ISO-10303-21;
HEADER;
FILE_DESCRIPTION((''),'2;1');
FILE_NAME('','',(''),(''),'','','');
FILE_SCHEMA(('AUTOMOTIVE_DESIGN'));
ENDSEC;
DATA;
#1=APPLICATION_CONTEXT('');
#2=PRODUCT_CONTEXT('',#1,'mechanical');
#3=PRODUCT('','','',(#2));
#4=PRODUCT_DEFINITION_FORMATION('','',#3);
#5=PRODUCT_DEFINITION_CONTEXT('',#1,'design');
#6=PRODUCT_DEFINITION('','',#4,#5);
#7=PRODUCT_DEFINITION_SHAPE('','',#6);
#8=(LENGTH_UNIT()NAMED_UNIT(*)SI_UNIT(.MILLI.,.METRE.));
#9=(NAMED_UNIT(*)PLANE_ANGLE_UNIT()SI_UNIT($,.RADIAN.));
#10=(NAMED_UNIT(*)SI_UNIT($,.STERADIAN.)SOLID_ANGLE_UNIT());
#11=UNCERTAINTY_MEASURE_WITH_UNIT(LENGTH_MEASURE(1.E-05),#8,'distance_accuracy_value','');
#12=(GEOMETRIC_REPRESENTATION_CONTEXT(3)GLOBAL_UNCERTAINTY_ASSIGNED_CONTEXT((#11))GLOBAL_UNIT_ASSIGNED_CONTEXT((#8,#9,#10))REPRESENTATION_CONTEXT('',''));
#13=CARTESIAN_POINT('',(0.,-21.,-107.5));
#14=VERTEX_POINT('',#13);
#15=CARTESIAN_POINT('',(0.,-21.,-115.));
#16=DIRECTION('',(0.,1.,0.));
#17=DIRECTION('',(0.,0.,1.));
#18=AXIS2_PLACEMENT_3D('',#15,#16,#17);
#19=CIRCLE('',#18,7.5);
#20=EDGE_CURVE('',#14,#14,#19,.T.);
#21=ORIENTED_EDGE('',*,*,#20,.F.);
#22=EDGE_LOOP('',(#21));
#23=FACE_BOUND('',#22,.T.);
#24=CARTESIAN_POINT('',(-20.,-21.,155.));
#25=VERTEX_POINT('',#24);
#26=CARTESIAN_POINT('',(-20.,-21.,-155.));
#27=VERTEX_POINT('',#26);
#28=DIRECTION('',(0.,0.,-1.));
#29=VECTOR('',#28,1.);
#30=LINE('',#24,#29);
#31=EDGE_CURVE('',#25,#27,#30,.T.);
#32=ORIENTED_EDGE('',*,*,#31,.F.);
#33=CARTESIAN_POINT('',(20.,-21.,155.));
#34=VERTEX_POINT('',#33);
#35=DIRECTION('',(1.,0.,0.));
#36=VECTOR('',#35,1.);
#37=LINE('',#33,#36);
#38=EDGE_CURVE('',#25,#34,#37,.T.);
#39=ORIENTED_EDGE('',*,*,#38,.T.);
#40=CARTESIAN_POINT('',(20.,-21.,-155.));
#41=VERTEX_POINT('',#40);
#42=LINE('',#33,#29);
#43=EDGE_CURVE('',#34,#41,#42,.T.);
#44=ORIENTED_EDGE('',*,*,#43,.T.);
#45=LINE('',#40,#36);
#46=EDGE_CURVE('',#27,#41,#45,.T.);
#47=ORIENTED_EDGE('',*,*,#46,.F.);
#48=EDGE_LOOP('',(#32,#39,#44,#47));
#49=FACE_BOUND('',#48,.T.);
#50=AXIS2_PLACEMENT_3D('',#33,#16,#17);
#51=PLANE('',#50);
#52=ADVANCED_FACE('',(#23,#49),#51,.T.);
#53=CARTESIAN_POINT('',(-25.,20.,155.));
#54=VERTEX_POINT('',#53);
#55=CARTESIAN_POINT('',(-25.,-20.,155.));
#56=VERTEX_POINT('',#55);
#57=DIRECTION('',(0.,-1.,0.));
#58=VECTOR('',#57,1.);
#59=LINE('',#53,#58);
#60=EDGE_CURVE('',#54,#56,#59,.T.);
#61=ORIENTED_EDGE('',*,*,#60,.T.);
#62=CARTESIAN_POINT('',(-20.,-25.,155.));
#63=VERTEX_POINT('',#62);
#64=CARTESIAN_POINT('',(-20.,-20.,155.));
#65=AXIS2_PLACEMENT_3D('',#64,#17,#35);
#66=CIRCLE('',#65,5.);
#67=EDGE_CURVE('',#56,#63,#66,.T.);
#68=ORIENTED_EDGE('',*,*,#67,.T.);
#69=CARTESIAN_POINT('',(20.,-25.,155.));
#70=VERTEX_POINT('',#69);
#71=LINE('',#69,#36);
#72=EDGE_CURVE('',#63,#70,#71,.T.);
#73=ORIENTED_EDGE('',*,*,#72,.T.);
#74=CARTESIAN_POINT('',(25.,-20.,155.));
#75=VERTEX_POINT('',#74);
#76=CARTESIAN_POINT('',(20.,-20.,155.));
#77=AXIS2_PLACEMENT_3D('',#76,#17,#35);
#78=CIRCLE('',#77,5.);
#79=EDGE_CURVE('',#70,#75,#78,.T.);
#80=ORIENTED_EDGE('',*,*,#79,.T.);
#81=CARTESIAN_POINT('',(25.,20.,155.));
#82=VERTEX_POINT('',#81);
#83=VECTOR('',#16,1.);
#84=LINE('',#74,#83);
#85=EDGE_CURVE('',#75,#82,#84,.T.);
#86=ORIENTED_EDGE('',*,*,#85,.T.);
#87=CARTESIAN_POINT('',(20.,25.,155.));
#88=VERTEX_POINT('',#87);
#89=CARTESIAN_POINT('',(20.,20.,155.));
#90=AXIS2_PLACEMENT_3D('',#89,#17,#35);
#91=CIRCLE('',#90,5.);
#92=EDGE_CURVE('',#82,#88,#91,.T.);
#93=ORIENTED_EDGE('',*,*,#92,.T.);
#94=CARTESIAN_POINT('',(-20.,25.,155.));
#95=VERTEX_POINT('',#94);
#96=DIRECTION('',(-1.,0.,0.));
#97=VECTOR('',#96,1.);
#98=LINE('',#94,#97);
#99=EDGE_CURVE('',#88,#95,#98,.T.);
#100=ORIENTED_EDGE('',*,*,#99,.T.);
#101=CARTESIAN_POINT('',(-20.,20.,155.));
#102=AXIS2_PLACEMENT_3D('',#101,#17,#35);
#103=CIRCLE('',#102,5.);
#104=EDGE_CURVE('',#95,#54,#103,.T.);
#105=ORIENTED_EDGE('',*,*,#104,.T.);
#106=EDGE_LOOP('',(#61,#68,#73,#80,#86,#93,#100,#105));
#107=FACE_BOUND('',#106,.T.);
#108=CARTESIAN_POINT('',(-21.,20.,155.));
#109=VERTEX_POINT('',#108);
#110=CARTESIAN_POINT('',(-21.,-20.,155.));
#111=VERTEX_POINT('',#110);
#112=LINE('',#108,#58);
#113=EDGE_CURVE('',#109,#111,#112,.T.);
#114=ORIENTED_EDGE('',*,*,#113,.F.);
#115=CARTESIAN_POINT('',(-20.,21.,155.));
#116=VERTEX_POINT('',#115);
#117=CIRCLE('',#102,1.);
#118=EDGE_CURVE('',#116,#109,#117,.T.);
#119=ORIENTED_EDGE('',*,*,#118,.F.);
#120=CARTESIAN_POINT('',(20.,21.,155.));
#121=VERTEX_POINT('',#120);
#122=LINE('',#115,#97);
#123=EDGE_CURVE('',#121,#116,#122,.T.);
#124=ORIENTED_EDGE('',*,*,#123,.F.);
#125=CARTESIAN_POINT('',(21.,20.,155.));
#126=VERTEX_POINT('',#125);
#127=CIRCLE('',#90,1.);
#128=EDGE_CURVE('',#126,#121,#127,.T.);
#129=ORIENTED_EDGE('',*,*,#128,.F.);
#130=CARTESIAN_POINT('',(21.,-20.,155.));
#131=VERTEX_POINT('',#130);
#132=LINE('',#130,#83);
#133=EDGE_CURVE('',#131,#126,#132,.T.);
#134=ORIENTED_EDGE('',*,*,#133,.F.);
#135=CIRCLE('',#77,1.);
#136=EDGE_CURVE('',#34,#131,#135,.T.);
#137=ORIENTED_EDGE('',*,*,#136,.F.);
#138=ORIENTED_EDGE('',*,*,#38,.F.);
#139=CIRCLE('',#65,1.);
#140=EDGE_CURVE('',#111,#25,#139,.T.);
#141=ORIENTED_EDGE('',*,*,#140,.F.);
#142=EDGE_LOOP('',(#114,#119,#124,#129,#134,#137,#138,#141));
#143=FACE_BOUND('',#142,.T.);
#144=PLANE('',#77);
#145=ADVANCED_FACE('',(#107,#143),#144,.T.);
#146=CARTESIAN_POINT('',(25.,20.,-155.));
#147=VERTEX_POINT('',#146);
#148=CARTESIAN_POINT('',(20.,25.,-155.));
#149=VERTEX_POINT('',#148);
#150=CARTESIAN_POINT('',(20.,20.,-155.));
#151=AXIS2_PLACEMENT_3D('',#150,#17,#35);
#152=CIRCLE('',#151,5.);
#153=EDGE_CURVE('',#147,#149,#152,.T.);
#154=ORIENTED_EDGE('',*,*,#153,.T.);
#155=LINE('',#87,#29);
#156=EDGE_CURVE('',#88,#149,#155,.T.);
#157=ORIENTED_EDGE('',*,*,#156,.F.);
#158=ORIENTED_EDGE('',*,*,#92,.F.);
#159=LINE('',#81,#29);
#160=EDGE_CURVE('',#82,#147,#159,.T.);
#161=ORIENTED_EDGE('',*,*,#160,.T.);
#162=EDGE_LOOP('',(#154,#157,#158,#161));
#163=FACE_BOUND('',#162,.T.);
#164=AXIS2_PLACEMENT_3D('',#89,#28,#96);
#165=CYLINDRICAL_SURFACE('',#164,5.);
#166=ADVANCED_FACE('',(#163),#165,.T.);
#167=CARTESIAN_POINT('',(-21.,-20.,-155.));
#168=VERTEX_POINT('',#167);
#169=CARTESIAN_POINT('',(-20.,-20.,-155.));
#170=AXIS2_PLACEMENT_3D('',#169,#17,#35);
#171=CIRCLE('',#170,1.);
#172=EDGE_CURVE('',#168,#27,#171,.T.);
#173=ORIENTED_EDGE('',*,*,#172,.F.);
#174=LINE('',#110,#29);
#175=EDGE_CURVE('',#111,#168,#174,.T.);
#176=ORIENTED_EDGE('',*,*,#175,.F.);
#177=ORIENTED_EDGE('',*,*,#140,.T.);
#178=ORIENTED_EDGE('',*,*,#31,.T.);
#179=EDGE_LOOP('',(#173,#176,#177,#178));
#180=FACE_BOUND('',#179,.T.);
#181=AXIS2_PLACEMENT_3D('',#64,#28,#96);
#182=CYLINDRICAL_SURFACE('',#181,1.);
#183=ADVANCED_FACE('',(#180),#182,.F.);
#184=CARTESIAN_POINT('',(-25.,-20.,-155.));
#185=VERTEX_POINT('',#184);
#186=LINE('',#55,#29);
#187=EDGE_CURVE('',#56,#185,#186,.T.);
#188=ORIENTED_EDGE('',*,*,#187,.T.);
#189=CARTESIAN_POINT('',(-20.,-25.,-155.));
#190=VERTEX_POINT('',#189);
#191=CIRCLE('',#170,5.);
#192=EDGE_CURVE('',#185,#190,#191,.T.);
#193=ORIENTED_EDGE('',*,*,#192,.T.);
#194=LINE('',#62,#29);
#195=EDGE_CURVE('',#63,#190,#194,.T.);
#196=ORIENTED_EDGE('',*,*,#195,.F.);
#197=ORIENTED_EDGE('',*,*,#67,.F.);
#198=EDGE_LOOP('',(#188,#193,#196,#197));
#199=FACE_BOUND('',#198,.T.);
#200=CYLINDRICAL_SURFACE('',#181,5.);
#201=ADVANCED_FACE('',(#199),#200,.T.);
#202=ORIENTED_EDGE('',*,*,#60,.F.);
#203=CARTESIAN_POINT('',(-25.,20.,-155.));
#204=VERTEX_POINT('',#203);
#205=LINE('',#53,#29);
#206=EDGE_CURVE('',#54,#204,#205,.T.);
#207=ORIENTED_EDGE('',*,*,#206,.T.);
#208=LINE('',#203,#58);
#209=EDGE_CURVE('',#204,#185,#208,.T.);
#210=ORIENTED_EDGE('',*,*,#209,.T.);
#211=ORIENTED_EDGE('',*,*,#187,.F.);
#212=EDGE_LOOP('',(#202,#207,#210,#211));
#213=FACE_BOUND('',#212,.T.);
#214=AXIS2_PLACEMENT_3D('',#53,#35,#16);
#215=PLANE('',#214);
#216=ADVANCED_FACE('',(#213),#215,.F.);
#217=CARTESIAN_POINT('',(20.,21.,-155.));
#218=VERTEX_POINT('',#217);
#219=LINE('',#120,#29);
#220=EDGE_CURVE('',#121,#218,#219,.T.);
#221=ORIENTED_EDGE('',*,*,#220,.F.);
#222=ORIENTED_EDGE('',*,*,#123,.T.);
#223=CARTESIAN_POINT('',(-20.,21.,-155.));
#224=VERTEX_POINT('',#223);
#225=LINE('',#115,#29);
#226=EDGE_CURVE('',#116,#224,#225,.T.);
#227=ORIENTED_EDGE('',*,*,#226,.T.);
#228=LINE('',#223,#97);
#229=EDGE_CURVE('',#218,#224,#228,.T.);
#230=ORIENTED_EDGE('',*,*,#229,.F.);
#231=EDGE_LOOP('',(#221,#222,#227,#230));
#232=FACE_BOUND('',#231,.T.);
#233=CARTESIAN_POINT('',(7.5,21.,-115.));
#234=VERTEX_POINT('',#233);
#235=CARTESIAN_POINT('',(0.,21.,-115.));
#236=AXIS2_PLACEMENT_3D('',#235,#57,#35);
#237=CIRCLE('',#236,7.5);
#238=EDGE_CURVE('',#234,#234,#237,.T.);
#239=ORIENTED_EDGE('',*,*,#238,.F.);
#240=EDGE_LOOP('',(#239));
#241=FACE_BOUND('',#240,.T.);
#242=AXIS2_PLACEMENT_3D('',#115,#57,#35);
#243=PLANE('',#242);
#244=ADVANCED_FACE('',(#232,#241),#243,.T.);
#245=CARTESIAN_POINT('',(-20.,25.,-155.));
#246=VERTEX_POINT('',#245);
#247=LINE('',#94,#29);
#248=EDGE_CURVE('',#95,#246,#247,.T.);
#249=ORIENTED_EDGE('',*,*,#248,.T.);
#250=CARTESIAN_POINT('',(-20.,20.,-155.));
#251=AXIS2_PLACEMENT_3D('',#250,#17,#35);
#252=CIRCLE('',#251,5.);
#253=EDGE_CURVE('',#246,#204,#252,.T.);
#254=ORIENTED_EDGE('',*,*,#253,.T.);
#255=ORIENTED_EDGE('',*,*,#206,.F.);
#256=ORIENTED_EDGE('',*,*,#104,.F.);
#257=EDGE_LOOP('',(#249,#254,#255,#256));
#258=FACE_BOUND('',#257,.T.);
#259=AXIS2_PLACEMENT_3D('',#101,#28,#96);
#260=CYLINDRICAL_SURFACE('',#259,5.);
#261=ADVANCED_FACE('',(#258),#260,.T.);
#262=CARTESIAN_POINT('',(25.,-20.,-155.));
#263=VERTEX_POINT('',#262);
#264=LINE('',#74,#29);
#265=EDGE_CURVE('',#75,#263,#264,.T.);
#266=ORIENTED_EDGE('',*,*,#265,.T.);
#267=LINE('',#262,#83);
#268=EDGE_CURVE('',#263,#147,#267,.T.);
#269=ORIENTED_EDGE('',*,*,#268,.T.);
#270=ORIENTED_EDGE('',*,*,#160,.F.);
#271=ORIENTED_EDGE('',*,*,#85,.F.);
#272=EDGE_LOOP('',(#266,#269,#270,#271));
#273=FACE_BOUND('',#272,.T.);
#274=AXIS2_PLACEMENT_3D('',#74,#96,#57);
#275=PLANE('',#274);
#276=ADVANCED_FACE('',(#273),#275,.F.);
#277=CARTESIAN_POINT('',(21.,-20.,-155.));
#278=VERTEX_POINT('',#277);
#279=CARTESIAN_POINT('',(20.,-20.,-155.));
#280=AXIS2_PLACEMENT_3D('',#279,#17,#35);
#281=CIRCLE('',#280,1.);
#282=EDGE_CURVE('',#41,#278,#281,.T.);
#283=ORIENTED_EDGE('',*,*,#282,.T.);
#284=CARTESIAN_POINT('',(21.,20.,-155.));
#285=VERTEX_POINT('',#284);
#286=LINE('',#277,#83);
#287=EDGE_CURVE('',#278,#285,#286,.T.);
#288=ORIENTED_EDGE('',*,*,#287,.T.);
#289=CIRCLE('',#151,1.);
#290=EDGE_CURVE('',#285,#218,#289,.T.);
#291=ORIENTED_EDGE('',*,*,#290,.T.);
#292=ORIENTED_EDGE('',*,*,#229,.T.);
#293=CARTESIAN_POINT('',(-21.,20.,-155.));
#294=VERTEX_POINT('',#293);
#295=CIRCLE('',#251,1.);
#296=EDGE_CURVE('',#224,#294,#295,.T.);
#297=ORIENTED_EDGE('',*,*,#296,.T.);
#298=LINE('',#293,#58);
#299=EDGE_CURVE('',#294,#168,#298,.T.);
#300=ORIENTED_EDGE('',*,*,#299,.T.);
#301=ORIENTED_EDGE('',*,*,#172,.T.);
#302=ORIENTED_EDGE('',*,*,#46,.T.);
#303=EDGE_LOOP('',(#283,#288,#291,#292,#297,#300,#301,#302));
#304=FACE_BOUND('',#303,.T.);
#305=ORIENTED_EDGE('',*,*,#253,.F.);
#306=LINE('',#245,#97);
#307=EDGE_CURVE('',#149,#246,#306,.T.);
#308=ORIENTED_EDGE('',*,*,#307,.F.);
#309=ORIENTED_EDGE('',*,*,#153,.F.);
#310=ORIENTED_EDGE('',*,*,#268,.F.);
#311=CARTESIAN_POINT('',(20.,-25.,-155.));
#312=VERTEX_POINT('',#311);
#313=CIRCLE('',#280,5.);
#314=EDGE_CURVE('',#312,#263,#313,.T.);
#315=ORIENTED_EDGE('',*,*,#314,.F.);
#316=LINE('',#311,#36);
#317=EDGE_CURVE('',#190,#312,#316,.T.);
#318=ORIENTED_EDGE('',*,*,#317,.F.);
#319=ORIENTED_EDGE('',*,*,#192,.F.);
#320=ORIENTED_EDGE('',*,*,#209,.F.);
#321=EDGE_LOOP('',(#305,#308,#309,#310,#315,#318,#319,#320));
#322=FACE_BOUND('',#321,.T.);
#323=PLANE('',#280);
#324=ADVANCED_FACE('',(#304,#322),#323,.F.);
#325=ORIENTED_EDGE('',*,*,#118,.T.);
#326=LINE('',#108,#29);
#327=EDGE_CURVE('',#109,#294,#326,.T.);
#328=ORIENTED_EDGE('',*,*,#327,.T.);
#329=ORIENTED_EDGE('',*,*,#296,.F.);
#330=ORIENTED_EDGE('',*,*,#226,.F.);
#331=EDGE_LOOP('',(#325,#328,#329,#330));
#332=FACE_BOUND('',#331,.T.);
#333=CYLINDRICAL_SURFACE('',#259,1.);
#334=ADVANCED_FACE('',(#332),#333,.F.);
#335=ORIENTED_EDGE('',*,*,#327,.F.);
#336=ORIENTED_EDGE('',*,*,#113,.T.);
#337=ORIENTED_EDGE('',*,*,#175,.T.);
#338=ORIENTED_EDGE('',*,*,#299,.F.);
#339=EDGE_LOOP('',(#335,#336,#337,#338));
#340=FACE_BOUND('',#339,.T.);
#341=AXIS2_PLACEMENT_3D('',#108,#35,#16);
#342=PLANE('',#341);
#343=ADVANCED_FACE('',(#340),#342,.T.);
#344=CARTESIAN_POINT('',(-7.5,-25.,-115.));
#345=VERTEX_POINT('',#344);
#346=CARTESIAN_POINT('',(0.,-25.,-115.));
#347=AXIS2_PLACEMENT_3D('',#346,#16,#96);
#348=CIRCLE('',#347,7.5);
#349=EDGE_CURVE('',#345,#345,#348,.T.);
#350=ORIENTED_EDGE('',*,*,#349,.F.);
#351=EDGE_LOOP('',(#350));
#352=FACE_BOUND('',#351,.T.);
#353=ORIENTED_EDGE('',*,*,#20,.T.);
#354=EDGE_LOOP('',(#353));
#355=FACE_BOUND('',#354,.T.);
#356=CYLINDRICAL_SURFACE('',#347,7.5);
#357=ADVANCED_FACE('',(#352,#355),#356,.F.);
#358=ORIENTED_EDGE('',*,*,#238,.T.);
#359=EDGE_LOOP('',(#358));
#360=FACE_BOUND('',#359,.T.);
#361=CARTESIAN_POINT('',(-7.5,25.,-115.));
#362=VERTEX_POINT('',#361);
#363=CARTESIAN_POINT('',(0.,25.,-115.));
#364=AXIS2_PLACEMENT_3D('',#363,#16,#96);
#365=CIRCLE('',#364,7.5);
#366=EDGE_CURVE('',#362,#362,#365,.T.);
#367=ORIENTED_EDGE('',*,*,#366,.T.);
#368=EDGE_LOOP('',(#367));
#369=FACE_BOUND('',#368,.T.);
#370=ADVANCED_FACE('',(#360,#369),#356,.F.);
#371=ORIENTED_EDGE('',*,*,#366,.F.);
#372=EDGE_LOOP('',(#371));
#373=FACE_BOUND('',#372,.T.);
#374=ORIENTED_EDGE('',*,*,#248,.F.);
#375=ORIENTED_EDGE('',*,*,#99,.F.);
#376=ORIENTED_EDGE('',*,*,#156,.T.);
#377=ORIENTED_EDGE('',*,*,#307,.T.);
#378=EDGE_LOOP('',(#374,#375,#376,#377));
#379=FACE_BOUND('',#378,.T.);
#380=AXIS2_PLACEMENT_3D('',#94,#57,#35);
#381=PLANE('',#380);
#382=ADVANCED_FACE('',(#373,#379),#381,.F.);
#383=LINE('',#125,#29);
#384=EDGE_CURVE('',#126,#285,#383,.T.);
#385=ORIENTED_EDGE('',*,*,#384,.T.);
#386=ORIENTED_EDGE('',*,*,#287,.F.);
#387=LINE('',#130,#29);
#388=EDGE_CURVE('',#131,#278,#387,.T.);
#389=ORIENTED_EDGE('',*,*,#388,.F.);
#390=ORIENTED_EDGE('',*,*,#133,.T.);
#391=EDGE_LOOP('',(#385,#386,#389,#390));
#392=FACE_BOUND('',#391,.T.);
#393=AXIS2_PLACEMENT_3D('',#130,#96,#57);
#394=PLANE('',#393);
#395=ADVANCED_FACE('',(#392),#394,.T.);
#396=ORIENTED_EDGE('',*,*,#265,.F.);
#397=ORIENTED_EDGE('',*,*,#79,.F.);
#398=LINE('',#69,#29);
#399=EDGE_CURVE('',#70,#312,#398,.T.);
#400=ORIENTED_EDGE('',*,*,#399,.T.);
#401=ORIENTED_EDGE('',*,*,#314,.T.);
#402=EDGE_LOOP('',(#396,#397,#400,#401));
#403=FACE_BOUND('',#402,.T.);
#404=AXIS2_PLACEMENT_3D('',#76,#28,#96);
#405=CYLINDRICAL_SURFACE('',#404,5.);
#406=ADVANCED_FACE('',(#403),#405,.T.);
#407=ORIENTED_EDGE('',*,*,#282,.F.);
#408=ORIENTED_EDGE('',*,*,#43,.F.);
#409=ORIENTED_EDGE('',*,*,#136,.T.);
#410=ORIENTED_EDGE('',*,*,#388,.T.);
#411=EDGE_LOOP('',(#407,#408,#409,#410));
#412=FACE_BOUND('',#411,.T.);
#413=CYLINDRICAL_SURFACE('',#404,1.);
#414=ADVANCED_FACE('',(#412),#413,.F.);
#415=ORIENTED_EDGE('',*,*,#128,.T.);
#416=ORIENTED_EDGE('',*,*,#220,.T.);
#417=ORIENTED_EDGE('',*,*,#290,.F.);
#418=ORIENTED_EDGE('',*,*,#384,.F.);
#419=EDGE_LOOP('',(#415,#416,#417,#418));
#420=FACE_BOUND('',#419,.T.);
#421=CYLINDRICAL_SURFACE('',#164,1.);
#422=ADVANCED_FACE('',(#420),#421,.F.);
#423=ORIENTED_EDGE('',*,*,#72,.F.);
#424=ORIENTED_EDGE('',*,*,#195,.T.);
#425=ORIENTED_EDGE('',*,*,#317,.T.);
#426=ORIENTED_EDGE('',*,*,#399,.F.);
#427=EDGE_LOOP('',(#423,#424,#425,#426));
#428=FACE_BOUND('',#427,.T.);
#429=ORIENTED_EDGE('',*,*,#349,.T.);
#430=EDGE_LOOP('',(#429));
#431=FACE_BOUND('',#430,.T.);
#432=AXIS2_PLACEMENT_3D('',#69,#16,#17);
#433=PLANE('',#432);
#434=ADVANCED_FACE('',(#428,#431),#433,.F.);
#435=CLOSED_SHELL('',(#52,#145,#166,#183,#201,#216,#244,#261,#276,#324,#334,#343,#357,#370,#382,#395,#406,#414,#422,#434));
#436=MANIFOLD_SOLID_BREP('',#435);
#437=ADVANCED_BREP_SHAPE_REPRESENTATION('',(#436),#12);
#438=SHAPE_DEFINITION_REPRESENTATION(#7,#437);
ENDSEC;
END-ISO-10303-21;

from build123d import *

# Parameters (mm, degrees)
TUBE_SQUARE_TS3X3X0_3125_3_DEPTH = 310
SKETCH12_R                       = 7.5
CUT_EXTRUDE1_DEPTH               = 165.772570533


with BuildPart() as part:
    # Sketch11 → Tube square TS3X3X0.3125(3) (new body)
    with BuildSketch(Plane(origin=(0, 0, -155), x_dir=(0, -1, 0), z_dir=(0, 0, 1))):
        with BuildLine():
            Line((-20, -25), (20, -25))
            ThreePointArc((20, -25), (23.535533906, -23.535533906), (25, -20))
            Line((25, -20), (25, 20))
            ThreePointArc((25, 20), (23.535533906, 23.535533906), (20, 25))
            Line((20, 25), (-20, 25))
            ThreePointArc((-20, 25), (-23.535533906, 23.535533906), (-25, 20))
            Line((-25, 20), (-25, -20))
            ThreePointArc((-25, -20), (-23.535533906, -23.535533906), (-20, -25))
        make_face()
        with BuildLine():
            Line((-20, -21), (20, -21))
            ThreePointArc((20, -21), (20.707106781, -20.707106781), (21, -20))
            Line((21, -20), (21, 20))
            ThreePointArc((21, 20), (20.707106781, 20.707106781), (20, 21))
            Line((20, 21), (-20, 21))
            ThreePointArc((-20, 21), (-20.707106781, 20.707106781), (-21, 20))
            Line((-21, 20), (-21, -20))
            ThreePointArc((-21, -20), (-20.707106781, -20.707106781), (-20, -21))
        make_face(mode=Mode.SUBTRACT)
    extrude(amount=TUBE_SQUARE_TS3X3X0_3125_3_DEPTH)

    # Sketch12 → Cut-Extrude1 (cut, through all)
    with BuildSketch(Plane(origin=(0, 25, 0), x_dir=(1, 0, 0), z_dir=(0, 1, 0))):
        with Locations(Location((0, 115, 0), (0, 0, 180))):
            Circle(SKETCH12_R)
    extrude(amount=-CUT_EXTRUDE1_DEPTH, mode=Mode.SUBTRACT)


solid = part.part
